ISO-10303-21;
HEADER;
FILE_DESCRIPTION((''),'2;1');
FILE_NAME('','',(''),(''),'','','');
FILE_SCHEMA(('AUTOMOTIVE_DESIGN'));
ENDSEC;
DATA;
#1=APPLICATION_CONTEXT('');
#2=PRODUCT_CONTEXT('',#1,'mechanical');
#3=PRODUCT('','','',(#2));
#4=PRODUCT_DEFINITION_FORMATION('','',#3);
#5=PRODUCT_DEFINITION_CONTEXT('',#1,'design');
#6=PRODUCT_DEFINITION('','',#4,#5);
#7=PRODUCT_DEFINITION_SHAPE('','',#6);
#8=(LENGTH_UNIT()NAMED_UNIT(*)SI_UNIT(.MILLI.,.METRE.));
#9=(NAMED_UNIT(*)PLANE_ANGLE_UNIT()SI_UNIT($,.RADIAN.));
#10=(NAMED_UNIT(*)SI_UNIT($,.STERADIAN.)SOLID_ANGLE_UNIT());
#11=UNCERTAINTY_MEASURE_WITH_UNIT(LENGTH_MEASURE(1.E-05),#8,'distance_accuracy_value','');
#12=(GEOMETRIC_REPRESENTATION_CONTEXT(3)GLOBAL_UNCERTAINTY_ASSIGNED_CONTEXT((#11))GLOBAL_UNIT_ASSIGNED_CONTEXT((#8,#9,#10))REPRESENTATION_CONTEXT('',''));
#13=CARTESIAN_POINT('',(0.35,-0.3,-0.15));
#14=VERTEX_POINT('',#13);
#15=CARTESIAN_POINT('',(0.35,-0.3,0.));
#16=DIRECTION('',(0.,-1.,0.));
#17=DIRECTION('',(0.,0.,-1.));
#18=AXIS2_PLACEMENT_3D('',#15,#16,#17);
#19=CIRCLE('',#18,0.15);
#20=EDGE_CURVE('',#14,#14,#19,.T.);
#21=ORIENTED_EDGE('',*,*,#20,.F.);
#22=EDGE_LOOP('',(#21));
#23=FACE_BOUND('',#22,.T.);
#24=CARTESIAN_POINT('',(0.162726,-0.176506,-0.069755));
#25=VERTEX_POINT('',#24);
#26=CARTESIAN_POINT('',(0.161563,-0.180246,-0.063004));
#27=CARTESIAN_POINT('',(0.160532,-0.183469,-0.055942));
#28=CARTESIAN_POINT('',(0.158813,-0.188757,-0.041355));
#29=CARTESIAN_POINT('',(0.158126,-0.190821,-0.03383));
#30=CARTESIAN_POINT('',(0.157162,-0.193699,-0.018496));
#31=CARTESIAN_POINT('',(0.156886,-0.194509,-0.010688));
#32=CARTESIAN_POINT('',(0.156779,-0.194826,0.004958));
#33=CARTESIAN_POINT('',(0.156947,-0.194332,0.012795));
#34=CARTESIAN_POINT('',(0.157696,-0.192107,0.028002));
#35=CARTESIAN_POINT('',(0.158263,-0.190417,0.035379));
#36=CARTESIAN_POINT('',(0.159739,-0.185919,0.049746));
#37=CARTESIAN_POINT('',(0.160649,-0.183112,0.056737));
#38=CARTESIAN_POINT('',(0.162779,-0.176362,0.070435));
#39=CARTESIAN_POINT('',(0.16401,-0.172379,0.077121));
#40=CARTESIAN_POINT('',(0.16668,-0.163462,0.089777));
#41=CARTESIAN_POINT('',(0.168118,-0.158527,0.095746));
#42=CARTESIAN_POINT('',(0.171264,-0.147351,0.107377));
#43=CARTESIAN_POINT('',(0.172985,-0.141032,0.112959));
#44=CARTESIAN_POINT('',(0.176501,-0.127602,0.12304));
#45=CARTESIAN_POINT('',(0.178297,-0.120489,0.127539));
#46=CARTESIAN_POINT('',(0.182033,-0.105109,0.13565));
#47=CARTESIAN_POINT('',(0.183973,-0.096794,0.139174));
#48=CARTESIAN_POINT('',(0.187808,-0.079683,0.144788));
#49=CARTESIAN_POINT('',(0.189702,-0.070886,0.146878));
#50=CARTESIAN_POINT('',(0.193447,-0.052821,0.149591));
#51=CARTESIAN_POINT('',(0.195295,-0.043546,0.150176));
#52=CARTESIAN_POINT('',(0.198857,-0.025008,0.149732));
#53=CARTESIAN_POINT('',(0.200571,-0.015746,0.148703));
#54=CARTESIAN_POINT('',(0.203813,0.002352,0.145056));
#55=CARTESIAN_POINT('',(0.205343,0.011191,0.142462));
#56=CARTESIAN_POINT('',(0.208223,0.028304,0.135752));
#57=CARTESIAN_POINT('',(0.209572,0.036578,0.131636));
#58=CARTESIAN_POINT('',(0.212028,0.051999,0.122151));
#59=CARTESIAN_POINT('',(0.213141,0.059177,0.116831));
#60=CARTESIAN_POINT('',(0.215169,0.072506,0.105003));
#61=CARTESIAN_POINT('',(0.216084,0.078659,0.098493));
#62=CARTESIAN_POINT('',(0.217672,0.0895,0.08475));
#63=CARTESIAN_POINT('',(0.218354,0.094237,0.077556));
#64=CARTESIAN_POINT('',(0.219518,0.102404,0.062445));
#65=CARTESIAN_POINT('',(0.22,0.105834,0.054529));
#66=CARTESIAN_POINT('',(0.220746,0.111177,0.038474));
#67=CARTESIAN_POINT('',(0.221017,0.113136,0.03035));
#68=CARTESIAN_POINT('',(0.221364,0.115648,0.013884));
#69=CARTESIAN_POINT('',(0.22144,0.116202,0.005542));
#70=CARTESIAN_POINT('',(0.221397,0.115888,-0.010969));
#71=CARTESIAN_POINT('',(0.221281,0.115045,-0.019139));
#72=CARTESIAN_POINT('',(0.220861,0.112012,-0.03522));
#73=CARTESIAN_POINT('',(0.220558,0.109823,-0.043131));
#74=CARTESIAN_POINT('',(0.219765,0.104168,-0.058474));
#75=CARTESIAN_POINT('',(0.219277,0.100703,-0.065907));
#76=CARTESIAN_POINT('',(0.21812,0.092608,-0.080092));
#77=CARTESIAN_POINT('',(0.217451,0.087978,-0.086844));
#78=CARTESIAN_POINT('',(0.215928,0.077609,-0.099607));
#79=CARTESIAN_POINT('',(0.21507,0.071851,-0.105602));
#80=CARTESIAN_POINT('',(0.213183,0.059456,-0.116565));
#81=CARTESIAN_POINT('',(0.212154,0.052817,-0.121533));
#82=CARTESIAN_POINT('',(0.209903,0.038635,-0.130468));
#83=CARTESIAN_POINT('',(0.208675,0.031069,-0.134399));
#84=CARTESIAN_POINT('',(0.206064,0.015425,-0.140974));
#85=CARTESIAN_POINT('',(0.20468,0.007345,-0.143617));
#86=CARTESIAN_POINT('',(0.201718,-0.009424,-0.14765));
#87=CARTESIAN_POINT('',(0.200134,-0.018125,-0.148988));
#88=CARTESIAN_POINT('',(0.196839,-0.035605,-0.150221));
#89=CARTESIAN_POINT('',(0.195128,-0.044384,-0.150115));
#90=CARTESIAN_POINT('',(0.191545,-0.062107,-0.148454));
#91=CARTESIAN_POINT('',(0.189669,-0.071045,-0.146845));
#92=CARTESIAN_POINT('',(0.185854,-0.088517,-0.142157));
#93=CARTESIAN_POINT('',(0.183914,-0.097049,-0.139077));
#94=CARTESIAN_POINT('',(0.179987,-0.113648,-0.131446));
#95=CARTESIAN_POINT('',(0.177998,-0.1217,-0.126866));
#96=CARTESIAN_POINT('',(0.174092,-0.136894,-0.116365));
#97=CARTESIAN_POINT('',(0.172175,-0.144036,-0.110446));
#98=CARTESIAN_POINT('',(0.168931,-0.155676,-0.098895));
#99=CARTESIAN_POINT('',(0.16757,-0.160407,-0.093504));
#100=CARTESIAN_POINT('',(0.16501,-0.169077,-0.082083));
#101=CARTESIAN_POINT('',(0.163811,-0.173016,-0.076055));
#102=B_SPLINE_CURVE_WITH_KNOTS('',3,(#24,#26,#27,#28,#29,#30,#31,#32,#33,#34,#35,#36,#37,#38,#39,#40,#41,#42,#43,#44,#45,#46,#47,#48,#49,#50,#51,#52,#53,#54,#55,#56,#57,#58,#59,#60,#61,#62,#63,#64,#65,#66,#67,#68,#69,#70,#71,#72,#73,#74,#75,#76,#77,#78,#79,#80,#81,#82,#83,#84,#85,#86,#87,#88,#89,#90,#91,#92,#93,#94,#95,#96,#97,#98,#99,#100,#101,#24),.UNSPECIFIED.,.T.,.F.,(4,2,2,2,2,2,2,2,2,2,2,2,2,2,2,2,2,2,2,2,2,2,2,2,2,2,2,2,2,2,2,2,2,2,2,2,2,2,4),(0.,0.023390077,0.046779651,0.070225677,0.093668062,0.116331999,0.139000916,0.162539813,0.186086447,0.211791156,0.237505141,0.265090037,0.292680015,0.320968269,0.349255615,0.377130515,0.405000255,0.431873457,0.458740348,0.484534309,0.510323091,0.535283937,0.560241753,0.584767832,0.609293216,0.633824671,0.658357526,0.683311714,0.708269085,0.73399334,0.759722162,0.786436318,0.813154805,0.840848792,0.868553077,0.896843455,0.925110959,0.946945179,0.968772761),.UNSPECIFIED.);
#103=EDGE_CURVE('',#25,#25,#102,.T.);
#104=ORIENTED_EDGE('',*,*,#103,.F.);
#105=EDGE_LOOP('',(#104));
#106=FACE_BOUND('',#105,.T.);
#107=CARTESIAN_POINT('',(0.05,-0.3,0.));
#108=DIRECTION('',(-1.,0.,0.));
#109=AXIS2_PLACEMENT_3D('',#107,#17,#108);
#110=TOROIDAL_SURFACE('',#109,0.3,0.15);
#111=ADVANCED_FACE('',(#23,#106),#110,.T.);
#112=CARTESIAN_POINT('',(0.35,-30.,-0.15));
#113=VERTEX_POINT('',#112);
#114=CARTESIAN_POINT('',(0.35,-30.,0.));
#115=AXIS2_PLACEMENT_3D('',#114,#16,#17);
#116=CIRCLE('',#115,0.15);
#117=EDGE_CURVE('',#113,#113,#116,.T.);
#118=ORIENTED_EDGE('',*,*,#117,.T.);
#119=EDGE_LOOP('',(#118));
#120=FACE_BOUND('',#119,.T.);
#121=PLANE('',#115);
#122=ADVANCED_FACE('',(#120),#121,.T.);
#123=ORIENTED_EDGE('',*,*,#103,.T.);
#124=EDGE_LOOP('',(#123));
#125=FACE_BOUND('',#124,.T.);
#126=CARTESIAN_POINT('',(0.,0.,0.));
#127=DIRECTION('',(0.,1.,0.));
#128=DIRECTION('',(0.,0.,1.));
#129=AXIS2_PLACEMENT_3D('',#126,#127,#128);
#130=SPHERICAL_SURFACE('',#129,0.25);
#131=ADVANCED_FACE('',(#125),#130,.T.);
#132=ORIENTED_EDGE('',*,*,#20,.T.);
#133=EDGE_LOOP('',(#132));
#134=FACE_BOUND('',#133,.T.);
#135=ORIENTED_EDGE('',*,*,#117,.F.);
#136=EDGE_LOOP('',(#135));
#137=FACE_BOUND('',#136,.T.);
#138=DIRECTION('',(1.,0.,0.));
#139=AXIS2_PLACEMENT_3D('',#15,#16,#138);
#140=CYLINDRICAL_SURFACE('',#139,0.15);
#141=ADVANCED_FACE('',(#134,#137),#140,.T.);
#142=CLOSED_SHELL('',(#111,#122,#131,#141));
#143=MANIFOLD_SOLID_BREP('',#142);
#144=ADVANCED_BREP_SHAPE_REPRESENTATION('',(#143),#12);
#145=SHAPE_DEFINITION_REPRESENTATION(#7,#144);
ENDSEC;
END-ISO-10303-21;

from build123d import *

# Parameters (mm, degrees)
SKETCH1_R           = 0.15
SKETCH6_R           = 0.2
BOSS_EXTRUDE1_DEPTH = 0.15


with BuildPart() as part:
    # Sweep1: sweep along a path in Sketch3
    with BuildLine(Plane.XY) as sweep1_path:
        Line((0, 0), (0.05, 0))
        ThreePointArc((0.05, 0), (0.262132034, -0.087867966), (0.35, -0.3))
        Line((0.35, -0.3), (0.35, -30))
    # Sketch1 → Sweep1 (sweep)
    with BuildSketch(Plane(origin=(0, 0, 0), x_dir=(0, 0, -1), z_dir=(1, 0, 0))):
        Circle(SKETCH1_R)
    sweep(path=sweep1_path.line)

    # Sketch6 → Boss-Extrude1 (add)
    with BuildSketch(Plane.ZY):
        Circle(SKETCH6_R)
    extrude(amount=-BOSS_EXTRUDE1_DEPTH)

    # Sketch4 → Revolve2 (revolve)
    with BuildSketch(Plane.ZY):
        with BuildLine():
            Line((0, 0.25), (0, -0.25))
            ThreePointArc((0, -0.25), (-0.25, 0), (0, 0.25))
        make_face()
    revolve(axis=Axis((0, 0.25, 0), (0, -1, 0)))


solid = part.part
